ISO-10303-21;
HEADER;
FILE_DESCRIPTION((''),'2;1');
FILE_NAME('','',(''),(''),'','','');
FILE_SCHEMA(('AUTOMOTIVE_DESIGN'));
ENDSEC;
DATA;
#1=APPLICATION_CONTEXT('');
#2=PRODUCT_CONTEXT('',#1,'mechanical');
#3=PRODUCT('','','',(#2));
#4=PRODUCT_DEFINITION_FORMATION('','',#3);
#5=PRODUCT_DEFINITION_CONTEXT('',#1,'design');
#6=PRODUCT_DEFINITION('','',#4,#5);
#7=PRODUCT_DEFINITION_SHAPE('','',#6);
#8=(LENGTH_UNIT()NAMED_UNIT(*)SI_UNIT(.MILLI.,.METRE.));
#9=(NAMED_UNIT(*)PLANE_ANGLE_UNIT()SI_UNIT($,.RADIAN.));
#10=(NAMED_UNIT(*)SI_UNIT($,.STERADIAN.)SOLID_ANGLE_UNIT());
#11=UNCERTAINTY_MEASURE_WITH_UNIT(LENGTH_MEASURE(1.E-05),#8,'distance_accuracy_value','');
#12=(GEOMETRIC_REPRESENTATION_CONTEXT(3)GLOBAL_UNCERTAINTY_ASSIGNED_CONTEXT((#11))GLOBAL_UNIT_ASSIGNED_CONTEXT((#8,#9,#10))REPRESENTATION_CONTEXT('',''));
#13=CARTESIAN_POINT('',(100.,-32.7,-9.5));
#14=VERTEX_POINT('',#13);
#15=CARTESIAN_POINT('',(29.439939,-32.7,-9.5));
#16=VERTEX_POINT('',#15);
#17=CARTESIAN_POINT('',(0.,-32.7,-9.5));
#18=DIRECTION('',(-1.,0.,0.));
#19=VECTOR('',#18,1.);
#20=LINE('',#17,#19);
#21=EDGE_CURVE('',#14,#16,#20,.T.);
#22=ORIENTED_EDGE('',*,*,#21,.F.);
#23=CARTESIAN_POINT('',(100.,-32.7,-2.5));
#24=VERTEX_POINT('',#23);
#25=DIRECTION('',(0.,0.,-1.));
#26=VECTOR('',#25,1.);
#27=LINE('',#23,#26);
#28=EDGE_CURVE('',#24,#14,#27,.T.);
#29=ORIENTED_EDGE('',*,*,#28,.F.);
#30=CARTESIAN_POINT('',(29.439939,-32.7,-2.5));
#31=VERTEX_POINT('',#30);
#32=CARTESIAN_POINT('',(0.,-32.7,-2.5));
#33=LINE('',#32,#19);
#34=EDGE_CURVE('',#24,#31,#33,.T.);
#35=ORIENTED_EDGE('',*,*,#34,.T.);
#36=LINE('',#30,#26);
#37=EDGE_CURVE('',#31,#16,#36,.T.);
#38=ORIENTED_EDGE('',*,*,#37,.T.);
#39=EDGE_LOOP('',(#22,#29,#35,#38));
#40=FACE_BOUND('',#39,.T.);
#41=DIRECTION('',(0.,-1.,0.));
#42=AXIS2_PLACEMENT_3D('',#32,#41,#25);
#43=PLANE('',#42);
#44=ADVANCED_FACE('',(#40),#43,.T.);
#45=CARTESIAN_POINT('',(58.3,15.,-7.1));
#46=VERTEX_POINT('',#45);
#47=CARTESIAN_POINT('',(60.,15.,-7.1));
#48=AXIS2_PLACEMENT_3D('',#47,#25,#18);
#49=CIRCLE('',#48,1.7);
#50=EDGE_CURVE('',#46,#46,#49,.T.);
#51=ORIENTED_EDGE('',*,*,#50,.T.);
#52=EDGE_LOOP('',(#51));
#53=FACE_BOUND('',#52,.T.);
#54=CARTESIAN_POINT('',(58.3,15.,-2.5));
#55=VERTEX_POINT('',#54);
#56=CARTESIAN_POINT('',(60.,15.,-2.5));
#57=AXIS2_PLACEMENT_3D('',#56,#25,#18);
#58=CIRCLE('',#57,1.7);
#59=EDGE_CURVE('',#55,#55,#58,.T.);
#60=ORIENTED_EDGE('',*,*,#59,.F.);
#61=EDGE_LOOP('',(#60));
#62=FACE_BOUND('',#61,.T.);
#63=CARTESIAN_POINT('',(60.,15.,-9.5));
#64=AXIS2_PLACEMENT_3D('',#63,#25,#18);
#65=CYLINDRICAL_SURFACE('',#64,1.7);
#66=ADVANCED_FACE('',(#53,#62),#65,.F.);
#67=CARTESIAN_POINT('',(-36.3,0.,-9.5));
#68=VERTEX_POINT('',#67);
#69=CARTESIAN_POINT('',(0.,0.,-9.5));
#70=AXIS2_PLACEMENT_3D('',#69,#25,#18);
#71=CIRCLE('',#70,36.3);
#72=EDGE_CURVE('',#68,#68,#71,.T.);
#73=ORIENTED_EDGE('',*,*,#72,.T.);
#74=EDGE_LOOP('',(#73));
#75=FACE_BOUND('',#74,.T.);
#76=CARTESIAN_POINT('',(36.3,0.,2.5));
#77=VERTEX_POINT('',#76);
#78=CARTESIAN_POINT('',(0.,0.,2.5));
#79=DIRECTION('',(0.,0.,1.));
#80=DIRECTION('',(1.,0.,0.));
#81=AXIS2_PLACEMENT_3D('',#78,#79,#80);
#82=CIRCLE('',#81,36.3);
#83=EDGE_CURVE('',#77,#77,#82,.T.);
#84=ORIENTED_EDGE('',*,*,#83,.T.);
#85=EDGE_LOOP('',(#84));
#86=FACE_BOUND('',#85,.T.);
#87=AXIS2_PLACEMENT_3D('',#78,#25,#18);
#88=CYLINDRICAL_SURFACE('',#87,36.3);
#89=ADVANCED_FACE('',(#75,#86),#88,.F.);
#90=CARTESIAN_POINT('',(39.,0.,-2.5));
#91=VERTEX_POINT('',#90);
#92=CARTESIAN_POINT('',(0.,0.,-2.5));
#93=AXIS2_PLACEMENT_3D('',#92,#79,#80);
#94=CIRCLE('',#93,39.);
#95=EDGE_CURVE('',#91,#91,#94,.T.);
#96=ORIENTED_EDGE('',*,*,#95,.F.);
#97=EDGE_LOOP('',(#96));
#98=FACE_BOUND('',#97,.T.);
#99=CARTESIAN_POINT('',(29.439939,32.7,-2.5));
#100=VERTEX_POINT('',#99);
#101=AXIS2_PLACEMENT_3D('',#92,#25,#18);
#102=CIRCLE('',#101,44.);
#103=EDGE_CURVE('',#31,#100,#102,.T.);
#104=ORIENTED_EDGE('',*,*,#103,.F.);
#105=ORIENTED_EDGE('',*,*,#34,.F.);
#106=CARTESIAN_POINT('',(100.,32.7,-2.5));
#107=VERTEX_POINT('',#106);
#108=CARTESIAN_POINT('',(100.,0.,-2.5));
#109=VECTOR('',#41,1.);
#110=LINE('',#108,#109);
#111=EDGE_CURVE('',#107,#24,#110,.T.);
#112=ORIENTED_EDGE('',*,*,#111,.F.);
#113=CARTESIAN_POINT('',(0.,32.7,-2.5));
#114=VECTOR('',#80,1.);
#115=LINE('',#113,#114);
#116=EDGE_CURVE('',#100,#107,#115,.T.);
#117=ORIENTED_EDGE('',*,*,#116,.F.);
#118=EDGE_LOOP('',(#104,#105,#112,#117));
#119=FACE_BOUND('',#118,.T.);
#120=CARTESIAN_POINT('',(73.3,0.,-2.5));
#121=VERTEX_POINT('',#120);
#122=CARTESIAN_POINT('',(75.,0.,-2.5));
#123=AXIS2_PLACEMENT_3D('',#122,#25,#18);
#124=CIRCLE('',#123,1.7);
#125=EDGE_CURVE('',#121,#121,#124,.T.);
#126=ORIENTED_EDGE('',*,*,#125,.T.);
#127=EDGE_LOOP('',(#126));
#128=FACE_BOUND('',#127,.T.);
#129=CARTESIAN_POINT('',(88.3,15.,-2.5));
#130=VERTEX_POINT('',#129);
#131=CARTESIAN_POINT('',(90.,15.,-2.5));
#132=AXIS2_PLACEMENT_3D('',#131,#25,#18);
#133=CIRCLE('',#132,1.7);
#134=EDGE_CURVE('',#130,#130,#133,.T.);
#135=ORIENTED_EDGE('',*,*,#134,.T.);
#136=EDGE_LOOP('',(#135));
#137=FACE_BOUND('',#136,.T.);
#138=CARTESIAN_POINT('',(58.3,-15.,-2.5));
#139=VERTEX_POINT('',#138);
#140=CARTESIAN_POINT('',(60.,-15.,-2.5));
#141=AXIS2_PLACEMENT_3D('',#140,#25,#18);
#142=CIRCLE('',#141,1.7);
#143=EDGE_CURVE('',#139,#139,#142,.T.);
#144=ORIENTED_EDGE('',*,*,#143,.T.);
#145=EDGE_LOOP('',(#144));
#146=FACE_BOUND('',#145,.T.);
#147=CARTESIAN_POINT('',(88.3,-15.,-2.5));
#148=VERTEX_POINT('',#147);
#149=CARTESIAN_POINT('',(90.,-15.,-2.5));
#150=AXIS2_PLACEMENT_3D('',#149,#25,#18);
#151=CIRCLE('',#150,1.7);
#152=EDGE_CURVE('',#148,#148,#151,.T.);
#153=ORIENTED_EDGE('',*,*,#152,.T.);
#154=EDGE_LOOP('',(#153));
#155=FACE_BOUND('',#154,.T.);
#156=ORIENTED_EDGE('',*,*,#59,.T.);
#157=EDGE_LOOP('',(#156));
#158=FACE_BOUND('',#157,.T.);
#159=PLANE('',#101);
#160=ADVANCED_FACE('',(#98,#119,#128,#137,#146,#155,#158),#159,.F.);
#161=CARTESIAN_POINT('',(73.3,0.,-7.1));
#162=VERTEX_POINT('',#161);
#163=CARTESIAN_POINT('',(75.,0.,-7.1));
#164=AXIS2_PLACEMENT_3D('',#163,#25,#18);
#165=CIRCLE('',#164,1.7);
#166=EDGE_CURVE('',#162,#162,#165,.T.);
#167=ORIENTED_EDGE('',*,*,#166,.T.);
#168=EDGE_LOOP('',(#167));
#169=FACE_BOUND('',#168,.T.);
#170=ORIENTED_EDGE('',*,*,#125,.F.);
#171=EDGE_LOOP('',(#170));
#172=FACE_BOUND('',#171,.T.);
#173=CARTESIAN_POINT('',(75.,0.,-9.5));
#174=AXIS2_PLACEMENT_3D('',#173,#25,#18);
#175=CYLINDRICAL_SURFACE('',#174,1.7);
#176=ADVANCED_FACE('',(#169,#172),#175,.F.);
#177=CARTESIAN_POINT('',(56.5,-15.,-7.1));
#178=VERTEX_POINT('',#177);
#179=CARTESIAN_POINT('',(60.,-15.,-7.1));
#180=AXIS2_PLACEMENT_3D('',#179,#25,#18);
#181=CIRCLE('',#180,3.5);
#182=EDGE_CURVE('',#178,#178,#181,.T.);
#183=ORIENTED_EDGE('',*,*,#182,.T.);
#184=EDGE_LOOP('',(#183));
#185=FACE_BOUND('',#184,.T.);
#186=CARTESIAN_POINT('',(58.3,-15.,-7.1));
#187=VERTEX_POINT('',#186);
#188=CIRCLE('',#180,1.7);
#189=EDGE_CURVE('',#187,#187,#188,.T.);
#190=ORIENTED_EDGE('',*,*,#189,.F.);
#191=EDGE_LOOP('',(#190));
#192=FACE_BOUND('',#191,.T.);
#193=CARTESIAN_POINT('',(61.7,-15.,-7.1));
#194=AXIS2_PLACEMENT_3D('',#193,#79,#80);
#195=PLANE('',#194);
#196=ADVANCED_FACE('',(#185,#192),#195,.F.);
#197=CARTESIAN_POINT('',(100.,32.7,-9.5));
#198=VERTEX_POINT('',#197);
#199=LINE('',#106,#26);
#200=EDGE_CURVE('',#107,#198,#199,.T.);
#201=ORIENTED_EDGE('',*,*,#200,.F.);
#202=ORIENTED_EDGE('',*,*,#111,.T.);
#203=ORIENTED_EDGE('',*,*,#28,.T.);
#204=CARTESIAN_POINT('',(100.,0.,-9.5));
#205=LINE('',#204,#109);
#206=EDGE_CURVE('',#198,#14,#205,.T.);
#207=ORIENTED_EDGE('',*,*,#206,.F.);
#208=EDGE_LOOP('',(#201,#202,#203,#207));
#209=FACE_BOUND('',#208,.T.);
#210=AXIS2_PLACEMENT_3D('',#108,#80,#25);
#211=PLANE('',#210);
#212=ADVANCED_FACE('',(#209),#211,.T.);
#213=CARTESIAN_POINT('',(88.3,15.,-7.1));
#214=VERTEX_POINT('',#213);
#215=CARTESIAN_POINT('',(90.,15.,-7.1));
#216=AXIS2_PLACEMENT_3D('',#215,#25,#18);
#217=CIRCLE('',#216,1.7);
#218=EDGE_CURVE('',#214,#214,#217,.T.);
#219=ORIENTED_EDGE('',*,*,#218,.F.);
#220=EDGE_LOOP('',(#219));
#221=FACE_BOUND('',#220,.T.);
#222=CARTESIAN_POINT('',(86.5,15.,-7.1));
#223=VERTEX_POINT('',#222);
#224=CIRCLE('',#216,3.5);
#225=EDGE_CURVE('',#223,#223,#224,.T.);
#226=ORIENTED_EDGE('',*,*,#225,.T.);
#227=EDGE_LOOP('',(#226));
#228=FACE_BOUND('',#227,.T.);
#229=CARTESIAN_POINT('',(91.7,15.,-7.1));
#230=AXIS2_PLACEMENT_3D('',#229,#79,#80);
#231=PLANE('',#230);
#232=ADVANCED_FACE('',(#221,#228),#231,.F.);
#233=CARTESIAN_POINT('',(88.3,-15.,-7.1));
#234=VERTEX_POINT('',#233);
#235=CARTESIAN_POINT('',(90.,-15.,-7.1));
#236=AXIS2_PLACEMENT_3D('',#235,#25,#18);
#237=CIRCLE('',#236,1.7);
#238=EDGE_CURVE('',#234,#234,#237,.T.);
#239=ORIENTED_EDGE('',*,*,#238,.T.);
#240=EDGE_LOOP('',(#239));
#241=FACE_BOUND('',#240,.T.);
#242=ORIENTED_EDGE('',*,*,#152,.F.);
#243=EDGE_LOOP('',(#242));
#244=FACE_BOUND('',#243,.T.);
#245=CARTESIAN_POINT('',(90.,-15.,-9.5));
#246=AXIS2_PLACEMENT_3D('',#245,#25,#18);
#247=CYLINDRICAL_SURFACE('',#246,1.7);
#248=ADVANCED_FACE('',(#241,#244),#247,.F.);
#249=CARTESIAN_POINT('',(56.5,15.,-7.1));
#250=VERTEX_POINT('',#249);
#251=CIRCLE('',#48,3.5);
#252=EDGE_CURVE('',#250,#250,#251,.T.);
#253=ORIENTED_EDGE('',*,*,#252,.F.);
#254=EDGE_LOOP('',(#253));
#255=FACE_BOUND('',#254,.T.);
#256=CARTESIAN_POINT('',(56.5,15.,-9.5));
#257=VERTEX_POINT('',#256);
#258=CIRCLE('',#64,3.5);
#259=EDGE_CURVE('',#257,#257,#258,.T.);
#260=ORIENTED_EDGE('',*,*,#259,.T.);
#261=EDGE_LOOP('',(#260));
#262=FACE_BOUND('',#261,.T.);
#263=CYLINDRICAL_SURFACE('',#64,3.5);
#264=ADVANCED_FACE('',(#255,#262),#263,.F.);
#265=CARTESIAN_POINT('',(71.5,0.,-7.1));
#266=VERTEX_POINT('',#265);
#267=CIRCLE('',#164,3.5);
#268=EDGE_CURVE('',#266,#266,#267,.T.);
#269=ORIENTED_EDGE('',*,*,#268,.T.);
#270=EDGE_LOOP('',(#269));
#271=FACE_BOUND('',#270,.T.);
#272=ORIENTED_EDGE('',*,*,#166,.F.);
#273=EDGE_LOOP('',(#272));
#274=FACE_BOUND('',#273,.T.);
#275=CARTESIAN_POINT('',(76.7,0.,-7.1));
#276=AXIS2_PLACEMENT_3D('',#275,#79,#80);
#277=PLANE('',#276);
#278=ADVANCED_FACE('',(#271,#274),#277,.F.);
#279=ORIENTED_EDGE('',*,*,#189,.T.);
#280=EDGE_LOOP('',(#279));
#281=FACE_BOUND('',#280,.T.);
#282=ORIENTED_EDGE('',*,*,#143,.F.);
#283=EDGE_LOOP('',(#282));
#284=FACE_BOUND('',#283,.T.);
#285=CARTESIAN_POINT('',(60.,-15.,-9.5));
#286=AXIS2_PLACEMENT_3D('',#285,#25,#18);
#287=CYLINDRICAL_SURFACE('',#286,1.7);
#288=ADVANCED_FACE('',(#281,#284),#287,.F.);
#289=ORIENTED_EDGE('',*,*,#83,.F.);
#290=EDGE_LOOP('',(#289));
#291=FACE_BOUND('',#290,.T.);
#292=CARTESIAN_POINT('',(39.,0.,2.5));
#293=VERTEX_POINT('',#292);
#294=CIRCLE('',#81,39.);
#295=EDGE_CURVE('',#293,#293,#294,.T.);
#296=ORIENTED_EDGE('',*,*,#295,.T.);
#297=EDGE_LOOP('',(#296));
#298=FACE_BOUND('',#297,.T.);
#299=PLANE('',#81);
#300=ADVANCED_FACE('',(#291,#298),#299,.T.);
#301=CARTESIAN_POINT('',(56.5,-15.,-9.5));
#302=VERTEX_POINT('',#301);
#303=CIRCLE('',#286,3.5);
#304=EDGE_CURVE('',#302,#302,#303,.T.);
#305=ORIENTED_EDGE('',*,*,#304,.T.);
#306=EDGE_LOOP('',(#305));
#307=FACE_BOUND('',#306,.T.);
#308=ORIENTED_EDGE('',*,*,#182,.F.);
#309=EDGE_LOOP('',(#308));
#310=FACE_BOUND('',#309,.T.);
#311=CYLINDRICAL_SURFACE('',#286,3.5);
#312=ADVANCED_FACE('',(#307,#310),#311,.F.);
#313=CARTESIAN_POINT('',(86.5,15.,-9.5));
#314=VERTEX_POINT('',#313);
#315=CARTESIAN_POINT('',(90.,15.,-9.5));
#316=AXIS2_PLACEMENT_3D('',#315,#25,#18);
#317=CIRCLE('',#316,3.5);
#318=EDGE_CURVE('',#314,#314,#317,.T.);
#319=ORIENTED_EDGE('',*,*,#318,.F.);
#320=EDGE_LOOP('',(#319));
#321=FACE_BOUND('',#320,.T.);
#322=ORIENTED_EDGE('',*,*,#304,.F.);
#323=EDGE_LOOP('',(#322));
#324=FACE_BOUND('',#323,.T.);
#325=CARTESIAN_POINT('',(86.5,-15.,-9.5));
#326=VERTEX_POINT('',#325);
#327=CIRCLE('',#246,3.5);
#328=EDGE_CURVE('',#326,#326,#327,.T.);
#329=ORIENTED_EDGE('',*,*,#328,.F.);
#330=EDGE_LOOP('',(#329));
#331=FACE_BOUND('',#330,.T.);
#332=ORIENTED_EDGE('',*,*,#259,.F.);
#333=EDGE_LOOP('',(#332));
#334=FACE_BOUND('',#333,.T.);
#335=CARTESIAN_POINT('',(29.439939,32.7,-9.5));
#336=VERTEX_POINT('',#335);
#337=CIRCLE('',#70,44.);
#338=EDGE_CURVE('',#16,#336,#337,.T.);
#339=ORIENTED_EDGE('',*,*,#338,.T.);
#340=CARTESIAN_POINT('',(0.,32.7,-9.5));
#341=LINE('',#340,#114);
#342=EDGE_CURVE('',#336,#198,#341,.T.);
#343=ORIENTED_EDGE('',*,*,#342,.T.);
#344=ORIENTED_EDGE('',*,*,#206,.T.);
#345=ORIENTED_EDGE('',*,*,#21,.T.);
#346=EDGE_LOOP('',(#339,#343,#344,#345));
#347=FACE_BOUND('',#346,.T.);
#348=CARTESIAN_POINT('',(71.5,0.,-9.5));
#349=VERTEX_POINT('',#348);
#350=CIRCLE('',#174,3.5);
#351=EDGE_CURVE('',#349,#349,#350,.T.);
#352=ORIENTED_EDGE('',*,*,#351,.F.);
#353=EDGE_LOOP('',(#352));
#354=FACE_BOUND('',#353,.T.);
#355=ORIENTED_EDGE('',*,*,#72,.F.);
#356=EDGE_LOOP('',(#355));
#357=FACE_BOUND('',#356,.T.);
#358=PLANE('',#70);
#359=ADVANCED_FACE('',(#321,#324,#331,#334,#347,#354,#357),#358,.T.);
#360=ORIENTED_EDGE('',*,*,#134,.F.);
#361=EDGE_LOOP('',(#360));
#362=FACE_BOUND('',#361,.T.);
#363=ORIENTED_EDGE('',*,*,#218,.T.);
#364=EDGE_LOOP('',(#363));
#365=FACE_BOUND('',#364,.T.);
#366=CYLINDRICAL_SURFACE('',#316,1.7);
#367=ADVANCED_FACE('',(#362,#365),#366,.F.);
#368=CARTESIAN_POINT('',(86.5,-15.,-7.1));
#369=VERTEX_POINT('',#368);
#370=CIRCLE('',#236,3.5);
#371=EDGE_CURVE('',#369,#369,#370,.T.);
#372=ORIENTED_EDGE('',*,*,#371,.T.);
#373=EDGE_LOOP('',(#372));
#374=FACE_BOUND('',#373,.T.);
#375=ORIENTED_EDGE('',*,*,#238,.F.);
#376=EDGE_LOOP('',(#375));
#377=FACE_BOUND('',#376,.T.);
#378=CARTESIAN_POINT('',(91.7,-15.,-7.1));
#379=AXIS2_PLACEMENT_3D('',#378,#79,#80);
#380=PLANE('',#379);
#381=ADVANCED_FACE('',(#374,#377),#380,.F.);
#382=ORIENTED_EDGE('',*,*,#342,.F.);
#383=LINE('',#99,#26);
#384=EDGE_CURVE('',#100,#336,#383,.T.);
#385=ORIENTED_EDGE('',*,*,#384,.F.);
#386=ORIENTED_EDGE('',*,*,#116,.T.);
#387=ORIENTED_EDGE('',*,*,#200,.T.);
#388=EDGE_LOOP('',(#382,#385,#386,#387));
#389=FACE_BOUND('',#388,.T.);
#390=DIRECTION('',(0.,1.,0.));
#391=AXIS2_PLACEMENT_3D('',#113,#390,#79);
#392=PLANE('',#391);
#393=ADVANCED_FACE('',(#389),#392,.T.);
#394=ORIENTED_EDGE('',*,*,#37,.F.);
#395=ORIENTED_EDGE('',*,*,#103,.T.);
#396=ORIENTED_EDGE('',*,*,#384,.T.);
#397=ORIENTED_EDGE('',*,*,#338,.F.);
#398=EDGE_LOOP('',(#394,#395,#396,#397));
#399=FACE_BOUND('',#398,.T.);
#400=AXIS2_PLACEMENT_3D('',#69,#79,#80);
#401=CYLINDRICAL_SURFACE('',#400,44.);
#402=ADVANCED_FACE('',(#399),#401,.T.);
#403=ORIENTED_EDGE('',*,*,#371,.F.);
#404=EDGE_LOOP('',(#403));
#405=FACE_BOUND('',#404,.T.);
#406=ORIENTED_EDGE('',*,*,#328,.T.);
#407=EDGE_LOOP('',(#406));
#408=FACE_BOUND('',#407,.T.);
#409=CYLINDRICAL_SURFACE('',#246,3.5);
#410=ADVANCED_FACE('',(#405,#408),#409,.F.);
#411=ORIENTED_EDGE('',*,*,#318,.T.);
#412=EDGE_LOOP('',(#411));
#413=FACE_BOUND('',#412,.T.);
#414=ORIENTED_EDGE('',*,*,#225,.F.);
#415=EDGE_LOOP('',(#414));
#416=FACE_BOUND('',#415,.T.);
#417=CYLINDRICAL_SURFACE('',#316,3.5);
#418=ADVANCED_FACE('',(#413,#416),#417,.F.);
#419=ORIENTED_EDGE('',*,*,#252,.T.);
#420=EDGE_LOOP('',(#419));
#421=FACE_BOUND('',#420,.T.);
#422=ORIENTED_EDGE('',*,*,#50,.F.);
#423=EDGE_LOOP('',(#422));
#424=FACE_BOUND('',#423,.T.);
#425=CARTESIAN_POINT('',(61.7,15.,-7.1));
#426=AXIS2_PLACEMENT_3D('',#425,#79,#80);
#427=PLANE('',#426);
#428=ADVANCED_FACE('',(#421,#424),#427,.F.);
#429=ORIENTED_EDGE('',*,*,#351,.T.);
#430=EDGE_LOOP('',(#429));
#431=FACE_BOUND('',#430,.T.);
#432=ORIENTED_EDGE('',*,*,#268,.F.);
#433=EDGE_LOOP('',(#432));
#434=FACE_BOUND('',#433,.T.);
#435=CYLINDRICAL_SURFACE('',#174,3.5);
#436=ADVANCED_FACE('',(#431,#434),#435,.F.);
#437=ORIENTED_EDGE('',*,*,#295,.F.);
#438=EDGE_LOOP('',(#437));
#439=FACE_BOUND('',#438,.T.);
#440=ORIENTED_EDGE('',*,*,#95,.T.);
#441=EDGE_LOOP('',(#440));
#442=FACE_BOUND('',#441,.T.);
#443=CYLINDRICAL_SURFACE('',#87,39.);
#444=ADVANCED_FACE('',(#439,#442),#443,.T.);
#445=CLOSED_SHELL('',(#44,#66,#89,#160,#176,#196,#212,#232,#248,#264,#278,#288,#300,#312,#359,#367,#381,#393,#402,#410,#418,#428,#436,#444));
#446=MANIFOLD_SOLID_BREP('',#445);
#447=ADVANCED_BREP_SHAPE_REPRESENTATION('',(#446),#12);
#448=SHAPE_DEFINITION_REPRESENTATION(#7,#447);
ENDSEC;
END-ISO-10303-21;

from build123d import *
from build123d.topology import SkipClean

# Parameters (mm, degrees)
CROQUIS1_R                                           = 39
CROQUIS1_R_2                                         = 36.3
SALIENTE_EXTRUIR1_DEPTH                              = 2.5
SALIENTE_EXTRUIR2_START                              = 7
CROQUIS2_R                                           = 44
CROQUIS2_R_2                                         = 36.3
SALIENTE_EXTRUIR2_DEPTH                              = 7
SALIENTE_EXTRUIR3_DEPTH                              = 7
REFRENTADO_PARA_TORNILLO_CON_CABEZA_TRON_D           = 3.4
REFRENTADO_PARA_TORNILLO_CON_CABEZA_TRON_CBORE_D     = 7
REFRENTADO_PARA_TORNILLO_CON_CABEZA_TRON_CBORE_DEPTH = 2.4


with BuildPart() as part:
    # Croquis1 → Saliente-Extruir1 (new, symmetric)
    with BuildSketch(Plane.XY):
        Circle(CROQUIS1_R)
        Circle(CROQUIS1_R_2, mode=Mode.SUBTRACT)
    extrude(amount=SALIENTE_EXTRUIR1_DEPTH, both=True)

    # Croquis2 → Saliente-Extruir2 (add)
    with SkipClean():  # the faces are left unmerged after this step: merging them gives an invalid solid
        with BuildSketch(Plane(origin=(0, 0, -2.5), x_dir=(-1, 0, 0), z_dir=(0, 0, -1)).offset(SALIENTE_EXTRUIR2_START)):
            Circle(CROQUIS2_R)
            Circle(CROQUIS2_R_2, mode=Mode.SUBTRACT)
        extrude(amount=-SALIENTE_EXTRUIR2_DEPTH)

    # Croquis3 → Saliente-Extruir3 (add)
    with SkipClean():  # the faces are left unmerged after this step: merging them gives an invalid solid
        with BuildSketch(Plane(origin=(0, 0, -9.5), x_dir=(-1, 0, 0), z_dir=(0, 0, -1))):
            with BuildLine():
                ThreePointArc((-29.439938859, -32.7), (-44, 0), (-29.439938859, 32.7))
                Line((-29.439938859, 32.7), (-100, 32.7))
                Line((-100, 32.7), (-100, -32.7))
                Line((-100, -32.7), (-29.439938859, -32.7))
            make_face()
        extrude(amount=-SALIENTE_EXTRUIR3_DEPTH)

    # Refrentado para tornillo con cabeza troncocónica de M31 (through all)
    with Locations(Plane(origin=(0, 0, -9.5), x_dir=(-1, 0, 0), z_dir=(0, 0, -1))):
        with Locations((-75, 0), (-90, 15), (-60, -15), (-60, 15), (-90, -15)):
            CounterBoreHole(REFRENTADO_PARA_TORNILLO_CON_CABEZA_TRON_D / 2, REFRENTADO_PARA_TORNILLO_CON_CABEZA_TRON_CBORE_D / 2, REFRENTADO_PARA_TORNILLO_CON_CABEZA_TRON_CBORE_DEPTH)


solid = part.part
